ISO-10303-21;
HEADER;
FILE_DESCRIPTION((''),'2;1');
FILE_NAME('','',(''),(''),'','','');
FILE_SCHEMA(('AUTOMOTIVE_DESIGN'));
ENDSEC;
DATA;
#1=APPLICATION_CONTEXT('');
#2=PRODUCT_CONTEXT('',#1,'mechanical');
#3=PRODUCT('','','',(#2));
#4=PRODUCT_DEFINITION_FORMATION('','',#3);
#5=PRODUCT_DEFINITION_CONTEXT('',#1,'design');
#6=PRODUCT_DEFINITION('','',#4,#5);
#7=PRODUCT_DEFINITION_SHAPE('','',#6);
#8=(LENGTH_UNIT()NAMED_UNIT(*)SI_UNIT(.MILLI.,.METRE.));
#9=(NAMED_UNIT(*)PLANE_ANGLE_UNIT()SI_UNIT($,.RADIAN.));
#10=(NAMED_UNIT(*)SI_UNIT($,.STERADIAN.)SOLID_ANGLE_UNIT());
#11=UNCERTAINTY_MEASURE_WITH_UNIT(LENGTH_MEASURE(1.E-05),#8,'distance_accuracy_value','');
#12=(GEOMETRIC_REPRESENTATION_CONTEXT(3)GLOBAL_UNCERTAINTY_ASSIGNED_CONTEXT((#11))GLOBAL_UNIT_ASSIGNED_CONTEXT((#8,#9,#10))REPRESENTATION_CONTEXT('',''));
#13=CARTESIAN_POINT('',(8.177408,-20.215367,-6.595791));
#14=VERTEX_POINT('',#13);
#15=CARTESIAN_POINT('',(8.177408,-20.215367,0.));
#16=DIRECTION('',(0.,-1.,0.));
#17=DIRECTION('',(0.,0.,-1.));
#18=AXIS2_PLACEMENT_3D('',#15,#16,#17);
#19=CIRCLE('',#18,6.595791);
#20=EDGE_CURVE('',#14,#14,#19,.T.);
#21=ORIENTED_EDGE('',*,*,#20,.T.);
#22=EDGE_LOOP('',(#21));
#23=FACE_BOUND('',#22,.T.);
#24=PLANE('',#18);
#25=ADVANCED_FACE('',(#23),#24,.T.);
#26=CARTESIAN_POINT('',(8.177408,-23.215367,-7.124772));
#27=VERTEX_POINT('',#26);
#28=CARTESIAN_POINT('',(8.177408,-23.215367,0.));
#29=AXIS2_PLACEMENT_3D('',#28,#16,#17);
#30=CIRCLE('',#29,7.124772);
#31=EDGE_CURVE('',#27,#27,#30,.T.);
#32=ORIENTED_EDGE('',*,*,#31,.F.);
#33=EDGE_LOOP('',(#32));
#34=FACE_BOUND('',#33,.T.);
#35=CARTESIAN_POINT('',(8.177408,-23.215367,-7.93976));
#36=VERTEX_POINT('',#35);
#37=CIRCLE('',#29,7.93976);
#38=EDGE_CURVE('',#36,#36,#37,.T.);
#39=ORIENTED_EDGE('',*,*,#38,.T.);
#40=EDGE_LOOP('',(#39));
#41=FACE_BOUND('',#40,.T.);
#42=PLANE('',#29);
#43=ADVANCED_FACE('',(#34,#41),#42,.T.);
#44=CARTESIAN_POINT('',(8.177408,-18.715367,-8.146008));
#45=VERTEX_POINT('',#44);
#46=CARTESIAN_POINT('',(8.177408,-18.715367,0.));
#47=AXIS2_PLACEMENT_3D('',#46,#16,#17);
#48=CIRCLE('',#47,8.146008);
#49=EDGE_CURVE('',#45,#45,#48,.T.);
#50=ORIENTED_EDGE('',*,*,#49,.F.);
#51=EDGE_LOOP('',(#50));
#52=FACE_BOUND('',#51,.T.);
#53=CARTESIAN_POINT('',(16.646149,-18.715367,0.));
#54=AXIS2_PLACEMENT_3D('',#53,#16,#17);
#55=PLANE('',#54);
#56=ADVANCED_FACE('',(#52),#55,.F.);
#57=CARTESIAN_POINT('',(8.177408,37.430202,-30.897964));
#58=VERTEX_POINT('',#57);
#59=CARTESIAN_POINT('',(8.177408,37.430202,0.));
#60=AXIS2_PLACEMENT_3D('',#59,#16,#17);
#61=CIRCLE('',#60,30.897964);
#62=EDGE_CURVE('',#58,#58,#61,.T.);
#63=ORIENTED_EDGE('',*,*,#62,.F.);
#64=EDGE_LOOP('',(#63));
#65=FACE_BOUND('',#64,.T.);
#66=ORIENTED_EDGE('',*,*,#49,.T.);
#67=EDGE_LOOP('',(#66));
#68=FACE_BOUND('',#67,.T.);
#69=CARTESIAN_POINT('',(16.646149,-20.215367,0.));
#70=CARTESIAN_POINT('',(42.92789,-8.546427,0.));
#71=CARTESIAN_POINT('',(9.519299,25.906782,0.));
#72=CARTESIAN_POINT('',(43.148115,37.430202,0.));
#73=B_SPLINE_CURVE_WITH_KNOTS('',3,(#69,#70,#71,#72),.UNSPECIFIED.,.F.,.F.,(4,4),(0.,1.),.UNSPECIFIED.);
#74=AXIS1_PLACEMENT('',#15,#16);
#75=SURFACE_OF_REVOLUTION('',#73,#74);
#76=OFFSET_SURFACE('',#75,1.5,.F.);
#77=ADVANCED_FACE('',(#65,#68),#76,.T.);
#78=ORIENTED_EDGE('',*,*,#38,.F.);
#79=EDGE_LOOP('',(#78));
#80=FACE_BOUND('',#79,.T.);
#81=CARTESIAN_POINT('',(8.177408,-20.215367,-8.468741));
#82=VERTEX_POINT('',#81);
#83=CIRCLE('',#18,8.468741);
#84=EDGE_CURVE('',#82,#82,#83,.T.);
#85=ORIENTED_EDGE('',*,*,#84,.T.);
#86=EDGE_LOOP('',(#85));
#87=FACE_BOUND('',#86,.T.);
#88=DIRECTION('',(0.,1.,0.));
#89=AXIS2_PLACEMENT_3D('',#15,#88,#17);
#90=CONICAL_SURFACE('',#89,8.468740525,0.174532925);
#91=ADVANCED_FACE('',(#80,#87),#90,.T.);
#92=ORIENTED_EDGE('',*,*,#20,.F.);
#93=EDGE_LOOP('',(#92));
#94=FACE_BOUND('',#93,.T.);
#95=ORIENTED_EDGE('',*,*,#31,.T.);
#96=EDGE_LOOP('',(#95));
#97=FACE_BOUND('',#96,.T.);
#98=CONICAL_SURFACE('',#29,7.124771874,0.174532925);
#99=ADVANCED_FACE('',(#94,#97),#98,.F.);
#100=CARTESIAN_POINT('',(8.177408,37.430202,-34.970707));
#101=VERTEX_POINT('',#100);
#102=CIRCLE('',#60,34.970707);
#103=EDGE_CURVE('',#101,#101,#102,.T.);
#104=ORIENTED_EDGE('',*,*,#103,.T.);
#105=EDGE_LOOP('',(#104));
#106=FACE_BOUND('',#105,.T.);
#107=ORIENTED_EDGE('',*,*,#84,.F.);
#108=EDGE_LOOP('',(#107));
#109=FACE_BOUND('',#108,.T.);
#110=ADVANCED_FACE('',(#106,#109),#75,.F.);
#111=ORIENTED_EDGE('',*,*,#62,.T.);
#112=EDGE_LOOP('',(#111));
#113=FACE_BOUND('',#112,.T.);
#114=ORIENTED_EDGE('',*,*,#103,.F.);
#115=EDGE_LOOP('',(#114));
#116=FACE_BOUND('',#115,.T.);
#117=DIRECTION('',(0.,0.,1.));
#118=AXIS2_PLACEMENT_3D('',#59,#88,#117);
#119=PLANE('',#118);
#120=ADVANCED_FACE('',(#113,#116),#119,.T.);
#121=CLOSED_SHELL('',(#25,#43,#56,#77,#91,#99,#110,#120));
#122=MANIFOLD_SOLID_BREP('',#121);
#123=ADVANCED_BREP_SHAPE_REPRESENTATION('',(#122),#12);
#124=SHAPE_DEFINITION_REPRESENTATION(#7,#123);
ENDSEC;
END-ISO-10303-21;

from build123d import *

# Parameters (mm, degrees)
SHELL_2_T           = -1.5
SKETCH_2_R          = 8.468740525
EXTRUDE_1_DEPTH     = 3
EXTRUDE_1_TAPER     = 10
SKETCH_3_R          = 7.124771874
CUT_EXTRUDE_1_DEPTH = 3
CUT_EXTRUDE_1_TAPER = 10


with BuildPart() as part:
    # 草图1 → 旋转1 (revolve)
    with BuildSketch(Plane.XY):
        with BuildLine():
            Line((8.177408078, 37.430202117), (43.148115304, 37.430202117))
            add(Edge.make_bspline(
                [(43.148115304, 37.430202117), (9.519298687, 25.906782304), (42.927889525, -8.546427288), (16.646148603, -20.215366889)],
                knots=[0, 0, 0, 0, 1, 1, 1, 1], degree=3))
            Line((16.646148603, -20.215366889), (8.177408078, -20.215366889))
            Line((8.177408078, -20.215366889), (8.177408078, 37.430202117))
        make_face()
    revolve(axis=Axis((8.177408078, -20.215366889, 0), (0, 1, 0)))

    # 抽壳2
    shell_2_openings = [part.faces().sort_by_distance(p)[0] for p in [
        (8.177408078, 37.430202117, -34.970707226),
    ]]
    offset(amount=SHELL_2_T, openings=shell_2_openings, kind=Kind.INTERSECTION)

    # 草图2 → 凸台-拉伸1 (add)
    with BuildSketch(Plane.XZ.offset(20.215366889)):
        with Locations((8.177408078, 0)):
            Circle(SKETCH_2_R)
    extrude(amount=EXTRUDE_1_DEPTH, taper=EXTRUDE_1_TAPER)

    # 草图3 → 切除-拉伸1 (cut)
    with BuildSketch(Plane.XZ.offset(23.215366889)):
        with Locations((8.177408078, 0)):
            Circle(SKETCH_3_R)
    extrude(amount=-CUT_EXTRUDE_1_DEPTH, taper=CUT_EXTRUDE_1_TAPER, mode=Mode.SUBTRACT)


solid = part.part
